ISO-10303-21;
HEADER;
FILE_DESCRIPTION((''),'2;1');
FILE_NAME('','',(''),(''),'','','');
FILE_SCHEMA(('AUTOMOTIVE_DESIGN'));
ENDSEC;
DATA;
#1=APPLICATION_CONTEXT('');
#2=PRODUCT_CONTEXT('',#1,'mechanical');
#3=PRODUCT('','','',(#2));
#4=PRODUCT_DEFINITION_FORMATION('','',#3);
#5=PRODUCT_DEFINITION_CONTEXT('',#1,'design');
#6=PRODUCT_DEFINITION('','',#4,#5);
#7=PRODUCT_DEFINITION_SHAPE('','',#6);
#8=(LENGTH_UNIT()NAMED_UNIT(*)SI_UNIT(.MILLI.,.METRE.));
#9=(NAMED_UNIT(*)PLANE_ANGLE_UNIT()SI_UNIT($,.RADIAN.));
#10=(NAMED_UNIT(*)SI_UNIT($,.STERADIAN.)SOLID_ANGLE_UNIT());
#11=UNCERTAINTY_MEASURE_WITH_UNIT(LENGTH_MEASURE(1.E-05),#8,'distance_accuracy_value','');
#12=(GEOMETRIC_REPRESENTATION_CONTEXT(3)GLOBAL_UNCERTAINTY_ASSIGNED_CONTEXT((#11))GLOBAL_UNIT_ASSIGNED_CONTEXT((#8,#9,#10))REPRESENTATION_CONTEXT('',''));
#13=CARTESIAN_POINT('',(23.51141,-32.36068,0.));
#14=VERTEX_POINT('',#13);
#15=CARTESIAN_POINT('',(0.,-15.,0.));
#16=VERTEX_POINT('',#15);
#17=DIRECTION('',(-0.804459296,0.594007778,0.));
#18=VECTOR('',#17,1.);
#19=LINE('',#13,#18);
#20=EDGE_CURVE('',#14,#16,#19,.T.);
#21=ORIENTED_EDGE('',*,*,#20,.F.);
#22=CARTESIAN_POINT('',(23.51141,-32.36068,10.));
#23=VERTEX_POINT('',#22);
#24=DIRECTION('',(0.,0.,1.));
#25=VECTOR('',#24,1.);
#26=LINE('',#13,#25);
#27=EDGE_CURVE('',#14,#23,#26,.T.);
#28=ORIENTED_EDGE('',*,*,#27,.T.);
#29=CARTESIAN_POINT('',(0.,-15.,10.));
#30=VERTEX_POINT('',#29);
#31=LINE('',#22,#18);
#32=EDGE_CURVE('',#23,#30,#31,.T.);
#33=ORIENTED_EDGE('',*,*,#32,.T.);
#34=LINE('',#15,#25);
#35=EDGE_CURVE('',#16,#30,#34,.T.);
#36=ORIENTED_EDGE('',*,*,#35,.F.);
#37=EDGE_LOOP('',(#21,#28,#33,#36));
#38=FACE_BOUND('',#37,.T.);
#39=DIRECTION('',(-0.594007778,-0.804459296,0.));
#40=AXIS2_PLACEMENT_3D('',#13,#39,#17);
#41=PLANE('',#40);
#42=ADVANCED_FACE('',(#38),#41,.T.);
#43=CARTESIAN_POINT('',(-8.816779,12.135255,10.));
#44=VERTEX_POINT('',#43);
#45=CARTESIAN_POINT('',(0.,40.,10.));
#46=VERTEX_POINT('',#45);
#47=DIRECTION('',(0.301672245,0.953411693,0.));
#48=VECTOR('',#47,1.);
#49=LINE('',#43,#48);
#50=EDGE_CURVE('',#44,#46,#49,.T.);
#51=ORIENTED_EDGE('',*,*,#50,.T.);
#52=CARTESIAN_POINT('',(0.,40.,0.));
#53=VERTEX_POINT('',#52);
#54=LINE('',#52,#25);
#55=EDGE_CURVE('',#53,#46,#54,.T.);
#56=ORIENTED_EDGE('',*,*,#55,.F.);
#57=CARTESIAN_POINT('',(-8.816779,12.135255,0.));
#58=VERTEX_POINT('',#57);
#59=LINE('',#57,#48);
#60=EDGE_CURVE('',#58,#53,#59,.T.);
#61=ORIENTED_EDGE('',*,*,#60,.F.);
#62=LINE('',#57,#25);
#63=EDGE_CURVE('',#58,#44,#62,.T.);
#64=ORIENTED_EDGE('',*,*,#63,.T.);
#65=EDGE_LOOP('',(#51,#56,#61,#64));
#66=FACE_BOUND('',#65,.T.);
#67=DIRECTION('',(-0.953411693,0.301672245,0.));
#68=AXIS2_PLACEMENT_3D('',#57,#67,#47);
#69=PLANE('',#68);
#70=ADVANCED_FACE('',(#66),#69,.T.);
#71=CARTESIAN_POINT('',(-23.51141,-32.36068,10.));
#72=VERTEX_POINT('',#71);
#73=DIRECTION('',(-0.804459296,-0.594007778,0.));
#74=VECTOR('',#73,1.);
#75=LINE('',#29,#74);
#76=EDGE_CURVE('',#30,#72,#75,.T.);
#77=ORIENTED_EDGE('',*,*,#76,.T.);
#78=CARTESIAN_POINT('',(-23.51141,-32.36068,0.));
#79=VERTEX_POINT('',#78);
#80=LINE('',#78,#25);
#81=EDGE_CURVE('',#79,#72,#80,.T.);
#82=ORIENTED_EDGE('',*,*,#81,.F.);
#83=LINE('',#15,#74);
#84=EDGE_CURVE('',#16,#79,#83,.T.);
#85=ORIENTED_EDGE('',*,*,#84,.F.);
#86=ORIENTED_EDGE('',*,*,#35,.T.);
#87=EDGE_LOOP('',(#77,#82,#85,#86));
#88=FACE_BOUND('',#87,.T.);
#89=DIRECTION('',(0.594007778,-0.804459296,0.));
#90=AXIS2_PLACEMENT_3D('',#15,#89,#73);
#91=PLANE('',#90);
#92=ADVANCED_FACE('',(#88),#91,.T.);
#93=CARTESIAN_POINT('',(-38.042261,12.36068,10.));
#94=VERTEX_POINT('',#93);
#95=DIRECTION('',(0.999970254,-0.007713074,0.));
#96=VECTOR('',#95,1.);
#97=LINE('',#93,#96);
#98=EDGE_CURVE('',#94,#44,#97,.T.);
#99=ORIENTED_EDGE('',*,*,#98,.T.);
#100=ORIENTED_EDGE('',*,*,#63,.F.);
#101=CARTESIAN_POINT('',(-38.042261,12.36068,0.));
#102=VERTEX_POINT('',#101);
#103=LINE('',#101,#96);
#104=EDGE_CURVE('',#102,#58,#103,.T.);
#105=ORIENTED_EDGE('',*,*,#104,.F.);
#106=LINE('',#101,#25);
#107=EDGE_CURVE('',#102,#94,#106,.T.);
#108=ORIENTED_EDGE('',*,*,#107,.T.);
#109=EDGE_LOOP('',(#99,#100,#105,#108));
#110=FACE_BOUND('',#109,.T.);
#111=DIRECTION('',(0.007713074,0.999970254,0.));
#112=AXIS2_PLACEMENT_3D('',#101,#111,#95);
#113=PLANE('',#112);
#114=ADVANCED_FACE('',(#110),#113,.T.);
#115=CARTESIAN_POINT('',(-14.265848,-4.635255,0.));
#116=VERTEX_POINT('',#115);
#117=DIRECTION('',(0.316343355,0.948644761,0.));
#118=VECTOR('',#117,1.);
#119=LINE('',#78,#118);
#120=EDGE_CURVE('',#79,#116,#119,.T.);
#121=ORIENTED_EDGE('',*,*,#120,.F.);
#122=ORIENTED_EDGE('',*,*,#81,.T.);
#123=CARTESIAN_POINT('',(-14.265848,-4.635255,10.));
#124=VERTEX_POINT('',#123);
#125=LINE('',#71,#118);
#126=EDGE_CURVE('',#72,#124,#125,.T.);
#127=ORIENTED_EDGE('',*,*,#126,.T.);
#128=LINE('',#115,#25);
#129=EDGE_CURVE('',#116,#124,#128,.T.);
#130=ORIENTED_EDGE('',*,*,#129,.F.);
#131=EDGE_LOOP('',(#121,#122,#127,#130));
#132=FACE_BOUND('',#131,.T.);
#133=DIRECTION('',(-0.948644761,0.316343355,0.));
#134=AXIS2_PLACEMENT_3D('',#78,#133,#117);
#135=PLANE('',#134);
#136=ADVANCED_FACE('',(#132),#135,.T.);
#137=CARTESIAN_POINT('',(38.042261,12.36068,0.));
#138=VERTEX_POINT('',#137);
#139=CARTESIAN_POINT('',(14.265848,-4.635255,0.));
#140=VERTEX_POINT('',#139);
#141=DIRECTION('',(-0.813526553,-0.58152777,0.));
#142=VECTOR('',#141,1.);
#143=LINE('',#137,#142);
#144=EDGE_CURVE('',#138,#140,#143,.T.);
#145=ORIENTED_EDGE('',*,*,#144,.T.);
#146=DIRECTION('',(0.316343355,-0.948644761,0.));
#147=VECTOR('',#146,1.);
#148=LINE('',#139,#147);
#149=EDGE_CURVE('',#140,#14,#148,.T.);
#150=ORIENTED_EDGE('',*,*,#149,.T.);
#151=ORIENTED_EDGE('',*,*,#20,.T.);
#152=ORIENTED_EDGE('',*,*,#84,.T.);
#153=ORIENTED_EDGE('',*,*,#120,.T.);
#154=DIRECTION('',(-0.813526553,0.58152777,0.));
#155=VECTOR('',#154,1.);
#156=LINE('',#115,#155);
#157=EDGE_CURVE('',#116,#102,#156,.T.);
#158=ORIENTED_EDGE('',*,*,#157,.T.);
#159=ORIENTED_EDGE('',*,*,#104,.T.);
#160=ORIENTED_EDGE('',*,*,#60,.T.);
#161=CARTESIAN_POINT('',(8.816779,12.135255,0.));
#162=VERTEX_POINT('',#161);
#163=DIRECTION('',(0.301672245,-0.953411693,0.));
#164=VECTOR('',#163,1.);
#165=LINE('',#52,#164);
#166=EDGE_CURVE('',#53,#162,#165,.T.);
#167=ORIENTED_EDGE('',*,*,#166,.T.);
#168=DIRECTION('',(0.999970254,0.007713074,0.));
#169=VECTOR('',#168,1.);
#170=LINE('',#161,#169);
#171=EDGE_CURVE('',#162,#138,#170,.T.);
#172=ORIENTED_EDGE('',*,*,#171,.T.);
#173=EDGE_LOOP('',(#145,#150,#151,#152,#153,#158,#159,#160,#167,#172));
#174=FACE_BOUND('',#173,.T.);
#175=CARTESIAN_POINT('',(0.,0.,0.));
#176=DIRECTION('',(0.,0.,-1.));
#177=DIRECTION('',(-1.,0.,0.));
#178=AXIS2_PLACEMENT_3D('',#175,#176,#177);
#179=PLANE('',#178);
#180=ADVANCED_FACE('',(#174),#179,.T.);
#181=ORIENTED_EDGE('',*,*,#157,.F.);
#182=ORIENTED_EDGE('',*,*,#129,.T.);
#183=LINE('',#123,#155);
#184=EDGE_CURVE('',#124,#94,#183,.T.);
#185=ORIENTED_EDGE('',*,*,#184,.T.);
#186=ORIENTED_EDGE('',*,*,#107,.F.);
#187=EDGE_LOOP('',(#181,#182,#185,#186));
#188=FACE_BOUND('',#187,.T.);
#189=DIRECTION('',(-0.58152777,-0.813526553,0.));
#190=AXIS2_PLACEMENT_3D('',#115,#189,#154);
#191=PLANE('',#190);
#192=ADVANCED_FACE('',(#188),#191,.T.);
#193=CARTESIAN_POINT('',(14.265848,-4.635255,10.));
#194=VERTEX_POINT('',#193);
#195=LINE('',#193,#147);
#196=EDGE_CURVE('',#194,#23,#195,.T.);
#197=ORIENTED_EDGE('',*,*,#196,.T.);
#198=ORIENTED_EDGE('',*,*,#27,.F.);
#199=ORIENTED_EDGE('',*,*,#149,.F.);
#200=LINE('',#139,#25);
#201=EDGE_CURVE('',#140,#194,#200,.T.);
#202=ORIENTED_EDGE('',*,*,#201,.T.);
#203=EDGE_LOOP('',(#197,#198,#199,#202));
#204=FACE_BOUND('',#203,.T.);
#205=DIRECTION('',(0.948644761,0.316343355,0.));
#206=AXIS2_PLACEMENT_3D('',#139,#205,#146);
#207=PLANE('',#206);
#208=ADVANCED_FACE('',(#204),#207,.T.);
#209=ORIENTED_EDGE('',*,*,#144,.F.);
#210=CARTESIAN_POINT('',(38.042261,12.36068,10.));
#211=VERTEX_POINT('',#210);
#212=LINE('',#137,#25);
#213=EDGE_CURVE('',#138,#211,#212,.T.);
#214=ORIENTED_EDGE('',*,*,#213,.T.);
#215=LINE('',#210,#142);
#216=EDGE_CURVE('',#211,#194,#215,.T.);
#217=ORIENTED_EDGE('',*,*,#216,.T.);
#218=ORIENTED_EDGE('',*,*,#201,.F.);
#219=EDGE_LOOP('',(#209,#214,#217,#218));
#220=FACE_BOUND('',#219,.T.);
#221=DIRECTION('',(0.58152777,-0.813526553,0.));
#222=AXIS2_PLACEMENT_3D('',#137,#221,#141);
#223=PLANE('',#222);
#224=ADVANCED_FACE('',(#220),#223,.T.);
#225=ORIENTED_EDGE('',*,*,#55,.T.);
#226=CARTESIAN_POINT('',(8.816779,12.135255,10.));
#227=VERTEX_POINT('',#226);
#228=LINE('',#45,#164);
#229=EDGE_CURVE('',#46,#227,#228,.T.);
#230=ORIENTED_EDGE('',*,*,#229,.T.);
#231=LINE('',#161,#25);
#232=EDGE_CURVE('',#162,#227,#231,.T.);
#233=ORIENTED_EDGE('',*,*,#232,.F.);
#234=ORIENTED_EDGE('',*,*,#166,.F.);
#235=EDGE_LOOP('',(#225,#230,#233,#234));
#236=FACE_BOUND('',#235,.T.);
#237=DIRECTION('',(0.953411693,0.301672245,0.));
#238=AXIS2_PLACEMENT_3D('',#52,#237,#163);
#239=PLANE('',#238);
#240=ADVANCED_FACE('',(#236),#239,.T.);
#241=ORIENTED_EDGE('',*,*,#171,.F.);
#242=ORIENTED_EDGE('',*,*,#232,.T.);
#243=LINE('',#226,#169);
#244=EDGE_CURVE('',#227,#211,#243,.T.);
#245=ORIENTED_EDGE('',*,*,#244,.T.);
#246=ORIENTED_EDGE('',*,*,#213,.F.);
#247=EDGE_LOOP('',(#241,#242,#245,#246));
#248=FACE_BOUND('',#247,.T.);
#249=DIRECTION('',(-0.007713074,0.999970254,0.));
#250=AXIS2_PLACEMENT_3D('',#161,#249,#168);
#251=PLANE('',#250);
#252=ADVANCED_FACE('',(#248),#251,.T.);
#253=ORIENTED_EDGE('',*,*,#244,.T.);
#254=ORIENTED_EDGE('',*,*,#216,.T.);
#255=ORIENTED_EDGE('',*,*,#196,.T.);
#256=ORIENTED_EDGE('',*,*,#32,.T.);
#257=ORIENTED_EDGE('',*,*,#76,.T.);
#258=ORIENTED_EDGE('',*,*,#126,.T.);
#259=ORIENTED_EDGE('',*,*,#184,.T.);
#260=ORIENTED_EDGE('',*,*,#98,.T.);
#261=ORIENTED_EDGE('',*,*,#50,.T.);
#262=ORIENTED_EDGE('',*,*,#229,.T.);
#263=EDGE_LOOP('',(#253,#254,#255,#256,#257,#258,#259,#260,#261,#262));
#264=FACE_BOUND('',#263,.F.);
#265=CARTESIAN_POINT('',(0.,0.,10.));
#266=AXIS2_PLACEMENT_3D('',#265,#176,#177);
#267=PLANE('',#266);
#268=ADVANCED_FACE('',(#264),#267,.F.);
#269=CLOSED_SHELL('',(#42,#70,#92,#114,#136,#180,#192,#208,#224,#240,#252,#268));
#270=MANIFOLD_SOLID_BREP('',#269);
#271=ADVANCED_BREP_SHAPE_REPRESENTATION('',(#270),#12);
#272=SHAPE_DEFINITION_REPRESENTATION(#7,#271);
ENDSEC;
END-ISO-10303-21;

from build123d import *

# Parameters (mm, degrees)
PAD_DEPTH = 10


with BuildPart() as part:
    # Sketch → Pad (new body)
    with BuildSketch(Plane.XY):
        Polygon((0, 40), (8.816779, 12.135255), (38.042261, 12.36068), (14.265848, -4.635255), (23.51141, -32.36068), (0, -15), (-23.51141, -32.36068), (-14.265848, -4.635255), (-38.042261, 12.36068), (-8.816779, 12.135255), align=None)
    extrude(amount=PAD_DEPTH)


solid = part.part
